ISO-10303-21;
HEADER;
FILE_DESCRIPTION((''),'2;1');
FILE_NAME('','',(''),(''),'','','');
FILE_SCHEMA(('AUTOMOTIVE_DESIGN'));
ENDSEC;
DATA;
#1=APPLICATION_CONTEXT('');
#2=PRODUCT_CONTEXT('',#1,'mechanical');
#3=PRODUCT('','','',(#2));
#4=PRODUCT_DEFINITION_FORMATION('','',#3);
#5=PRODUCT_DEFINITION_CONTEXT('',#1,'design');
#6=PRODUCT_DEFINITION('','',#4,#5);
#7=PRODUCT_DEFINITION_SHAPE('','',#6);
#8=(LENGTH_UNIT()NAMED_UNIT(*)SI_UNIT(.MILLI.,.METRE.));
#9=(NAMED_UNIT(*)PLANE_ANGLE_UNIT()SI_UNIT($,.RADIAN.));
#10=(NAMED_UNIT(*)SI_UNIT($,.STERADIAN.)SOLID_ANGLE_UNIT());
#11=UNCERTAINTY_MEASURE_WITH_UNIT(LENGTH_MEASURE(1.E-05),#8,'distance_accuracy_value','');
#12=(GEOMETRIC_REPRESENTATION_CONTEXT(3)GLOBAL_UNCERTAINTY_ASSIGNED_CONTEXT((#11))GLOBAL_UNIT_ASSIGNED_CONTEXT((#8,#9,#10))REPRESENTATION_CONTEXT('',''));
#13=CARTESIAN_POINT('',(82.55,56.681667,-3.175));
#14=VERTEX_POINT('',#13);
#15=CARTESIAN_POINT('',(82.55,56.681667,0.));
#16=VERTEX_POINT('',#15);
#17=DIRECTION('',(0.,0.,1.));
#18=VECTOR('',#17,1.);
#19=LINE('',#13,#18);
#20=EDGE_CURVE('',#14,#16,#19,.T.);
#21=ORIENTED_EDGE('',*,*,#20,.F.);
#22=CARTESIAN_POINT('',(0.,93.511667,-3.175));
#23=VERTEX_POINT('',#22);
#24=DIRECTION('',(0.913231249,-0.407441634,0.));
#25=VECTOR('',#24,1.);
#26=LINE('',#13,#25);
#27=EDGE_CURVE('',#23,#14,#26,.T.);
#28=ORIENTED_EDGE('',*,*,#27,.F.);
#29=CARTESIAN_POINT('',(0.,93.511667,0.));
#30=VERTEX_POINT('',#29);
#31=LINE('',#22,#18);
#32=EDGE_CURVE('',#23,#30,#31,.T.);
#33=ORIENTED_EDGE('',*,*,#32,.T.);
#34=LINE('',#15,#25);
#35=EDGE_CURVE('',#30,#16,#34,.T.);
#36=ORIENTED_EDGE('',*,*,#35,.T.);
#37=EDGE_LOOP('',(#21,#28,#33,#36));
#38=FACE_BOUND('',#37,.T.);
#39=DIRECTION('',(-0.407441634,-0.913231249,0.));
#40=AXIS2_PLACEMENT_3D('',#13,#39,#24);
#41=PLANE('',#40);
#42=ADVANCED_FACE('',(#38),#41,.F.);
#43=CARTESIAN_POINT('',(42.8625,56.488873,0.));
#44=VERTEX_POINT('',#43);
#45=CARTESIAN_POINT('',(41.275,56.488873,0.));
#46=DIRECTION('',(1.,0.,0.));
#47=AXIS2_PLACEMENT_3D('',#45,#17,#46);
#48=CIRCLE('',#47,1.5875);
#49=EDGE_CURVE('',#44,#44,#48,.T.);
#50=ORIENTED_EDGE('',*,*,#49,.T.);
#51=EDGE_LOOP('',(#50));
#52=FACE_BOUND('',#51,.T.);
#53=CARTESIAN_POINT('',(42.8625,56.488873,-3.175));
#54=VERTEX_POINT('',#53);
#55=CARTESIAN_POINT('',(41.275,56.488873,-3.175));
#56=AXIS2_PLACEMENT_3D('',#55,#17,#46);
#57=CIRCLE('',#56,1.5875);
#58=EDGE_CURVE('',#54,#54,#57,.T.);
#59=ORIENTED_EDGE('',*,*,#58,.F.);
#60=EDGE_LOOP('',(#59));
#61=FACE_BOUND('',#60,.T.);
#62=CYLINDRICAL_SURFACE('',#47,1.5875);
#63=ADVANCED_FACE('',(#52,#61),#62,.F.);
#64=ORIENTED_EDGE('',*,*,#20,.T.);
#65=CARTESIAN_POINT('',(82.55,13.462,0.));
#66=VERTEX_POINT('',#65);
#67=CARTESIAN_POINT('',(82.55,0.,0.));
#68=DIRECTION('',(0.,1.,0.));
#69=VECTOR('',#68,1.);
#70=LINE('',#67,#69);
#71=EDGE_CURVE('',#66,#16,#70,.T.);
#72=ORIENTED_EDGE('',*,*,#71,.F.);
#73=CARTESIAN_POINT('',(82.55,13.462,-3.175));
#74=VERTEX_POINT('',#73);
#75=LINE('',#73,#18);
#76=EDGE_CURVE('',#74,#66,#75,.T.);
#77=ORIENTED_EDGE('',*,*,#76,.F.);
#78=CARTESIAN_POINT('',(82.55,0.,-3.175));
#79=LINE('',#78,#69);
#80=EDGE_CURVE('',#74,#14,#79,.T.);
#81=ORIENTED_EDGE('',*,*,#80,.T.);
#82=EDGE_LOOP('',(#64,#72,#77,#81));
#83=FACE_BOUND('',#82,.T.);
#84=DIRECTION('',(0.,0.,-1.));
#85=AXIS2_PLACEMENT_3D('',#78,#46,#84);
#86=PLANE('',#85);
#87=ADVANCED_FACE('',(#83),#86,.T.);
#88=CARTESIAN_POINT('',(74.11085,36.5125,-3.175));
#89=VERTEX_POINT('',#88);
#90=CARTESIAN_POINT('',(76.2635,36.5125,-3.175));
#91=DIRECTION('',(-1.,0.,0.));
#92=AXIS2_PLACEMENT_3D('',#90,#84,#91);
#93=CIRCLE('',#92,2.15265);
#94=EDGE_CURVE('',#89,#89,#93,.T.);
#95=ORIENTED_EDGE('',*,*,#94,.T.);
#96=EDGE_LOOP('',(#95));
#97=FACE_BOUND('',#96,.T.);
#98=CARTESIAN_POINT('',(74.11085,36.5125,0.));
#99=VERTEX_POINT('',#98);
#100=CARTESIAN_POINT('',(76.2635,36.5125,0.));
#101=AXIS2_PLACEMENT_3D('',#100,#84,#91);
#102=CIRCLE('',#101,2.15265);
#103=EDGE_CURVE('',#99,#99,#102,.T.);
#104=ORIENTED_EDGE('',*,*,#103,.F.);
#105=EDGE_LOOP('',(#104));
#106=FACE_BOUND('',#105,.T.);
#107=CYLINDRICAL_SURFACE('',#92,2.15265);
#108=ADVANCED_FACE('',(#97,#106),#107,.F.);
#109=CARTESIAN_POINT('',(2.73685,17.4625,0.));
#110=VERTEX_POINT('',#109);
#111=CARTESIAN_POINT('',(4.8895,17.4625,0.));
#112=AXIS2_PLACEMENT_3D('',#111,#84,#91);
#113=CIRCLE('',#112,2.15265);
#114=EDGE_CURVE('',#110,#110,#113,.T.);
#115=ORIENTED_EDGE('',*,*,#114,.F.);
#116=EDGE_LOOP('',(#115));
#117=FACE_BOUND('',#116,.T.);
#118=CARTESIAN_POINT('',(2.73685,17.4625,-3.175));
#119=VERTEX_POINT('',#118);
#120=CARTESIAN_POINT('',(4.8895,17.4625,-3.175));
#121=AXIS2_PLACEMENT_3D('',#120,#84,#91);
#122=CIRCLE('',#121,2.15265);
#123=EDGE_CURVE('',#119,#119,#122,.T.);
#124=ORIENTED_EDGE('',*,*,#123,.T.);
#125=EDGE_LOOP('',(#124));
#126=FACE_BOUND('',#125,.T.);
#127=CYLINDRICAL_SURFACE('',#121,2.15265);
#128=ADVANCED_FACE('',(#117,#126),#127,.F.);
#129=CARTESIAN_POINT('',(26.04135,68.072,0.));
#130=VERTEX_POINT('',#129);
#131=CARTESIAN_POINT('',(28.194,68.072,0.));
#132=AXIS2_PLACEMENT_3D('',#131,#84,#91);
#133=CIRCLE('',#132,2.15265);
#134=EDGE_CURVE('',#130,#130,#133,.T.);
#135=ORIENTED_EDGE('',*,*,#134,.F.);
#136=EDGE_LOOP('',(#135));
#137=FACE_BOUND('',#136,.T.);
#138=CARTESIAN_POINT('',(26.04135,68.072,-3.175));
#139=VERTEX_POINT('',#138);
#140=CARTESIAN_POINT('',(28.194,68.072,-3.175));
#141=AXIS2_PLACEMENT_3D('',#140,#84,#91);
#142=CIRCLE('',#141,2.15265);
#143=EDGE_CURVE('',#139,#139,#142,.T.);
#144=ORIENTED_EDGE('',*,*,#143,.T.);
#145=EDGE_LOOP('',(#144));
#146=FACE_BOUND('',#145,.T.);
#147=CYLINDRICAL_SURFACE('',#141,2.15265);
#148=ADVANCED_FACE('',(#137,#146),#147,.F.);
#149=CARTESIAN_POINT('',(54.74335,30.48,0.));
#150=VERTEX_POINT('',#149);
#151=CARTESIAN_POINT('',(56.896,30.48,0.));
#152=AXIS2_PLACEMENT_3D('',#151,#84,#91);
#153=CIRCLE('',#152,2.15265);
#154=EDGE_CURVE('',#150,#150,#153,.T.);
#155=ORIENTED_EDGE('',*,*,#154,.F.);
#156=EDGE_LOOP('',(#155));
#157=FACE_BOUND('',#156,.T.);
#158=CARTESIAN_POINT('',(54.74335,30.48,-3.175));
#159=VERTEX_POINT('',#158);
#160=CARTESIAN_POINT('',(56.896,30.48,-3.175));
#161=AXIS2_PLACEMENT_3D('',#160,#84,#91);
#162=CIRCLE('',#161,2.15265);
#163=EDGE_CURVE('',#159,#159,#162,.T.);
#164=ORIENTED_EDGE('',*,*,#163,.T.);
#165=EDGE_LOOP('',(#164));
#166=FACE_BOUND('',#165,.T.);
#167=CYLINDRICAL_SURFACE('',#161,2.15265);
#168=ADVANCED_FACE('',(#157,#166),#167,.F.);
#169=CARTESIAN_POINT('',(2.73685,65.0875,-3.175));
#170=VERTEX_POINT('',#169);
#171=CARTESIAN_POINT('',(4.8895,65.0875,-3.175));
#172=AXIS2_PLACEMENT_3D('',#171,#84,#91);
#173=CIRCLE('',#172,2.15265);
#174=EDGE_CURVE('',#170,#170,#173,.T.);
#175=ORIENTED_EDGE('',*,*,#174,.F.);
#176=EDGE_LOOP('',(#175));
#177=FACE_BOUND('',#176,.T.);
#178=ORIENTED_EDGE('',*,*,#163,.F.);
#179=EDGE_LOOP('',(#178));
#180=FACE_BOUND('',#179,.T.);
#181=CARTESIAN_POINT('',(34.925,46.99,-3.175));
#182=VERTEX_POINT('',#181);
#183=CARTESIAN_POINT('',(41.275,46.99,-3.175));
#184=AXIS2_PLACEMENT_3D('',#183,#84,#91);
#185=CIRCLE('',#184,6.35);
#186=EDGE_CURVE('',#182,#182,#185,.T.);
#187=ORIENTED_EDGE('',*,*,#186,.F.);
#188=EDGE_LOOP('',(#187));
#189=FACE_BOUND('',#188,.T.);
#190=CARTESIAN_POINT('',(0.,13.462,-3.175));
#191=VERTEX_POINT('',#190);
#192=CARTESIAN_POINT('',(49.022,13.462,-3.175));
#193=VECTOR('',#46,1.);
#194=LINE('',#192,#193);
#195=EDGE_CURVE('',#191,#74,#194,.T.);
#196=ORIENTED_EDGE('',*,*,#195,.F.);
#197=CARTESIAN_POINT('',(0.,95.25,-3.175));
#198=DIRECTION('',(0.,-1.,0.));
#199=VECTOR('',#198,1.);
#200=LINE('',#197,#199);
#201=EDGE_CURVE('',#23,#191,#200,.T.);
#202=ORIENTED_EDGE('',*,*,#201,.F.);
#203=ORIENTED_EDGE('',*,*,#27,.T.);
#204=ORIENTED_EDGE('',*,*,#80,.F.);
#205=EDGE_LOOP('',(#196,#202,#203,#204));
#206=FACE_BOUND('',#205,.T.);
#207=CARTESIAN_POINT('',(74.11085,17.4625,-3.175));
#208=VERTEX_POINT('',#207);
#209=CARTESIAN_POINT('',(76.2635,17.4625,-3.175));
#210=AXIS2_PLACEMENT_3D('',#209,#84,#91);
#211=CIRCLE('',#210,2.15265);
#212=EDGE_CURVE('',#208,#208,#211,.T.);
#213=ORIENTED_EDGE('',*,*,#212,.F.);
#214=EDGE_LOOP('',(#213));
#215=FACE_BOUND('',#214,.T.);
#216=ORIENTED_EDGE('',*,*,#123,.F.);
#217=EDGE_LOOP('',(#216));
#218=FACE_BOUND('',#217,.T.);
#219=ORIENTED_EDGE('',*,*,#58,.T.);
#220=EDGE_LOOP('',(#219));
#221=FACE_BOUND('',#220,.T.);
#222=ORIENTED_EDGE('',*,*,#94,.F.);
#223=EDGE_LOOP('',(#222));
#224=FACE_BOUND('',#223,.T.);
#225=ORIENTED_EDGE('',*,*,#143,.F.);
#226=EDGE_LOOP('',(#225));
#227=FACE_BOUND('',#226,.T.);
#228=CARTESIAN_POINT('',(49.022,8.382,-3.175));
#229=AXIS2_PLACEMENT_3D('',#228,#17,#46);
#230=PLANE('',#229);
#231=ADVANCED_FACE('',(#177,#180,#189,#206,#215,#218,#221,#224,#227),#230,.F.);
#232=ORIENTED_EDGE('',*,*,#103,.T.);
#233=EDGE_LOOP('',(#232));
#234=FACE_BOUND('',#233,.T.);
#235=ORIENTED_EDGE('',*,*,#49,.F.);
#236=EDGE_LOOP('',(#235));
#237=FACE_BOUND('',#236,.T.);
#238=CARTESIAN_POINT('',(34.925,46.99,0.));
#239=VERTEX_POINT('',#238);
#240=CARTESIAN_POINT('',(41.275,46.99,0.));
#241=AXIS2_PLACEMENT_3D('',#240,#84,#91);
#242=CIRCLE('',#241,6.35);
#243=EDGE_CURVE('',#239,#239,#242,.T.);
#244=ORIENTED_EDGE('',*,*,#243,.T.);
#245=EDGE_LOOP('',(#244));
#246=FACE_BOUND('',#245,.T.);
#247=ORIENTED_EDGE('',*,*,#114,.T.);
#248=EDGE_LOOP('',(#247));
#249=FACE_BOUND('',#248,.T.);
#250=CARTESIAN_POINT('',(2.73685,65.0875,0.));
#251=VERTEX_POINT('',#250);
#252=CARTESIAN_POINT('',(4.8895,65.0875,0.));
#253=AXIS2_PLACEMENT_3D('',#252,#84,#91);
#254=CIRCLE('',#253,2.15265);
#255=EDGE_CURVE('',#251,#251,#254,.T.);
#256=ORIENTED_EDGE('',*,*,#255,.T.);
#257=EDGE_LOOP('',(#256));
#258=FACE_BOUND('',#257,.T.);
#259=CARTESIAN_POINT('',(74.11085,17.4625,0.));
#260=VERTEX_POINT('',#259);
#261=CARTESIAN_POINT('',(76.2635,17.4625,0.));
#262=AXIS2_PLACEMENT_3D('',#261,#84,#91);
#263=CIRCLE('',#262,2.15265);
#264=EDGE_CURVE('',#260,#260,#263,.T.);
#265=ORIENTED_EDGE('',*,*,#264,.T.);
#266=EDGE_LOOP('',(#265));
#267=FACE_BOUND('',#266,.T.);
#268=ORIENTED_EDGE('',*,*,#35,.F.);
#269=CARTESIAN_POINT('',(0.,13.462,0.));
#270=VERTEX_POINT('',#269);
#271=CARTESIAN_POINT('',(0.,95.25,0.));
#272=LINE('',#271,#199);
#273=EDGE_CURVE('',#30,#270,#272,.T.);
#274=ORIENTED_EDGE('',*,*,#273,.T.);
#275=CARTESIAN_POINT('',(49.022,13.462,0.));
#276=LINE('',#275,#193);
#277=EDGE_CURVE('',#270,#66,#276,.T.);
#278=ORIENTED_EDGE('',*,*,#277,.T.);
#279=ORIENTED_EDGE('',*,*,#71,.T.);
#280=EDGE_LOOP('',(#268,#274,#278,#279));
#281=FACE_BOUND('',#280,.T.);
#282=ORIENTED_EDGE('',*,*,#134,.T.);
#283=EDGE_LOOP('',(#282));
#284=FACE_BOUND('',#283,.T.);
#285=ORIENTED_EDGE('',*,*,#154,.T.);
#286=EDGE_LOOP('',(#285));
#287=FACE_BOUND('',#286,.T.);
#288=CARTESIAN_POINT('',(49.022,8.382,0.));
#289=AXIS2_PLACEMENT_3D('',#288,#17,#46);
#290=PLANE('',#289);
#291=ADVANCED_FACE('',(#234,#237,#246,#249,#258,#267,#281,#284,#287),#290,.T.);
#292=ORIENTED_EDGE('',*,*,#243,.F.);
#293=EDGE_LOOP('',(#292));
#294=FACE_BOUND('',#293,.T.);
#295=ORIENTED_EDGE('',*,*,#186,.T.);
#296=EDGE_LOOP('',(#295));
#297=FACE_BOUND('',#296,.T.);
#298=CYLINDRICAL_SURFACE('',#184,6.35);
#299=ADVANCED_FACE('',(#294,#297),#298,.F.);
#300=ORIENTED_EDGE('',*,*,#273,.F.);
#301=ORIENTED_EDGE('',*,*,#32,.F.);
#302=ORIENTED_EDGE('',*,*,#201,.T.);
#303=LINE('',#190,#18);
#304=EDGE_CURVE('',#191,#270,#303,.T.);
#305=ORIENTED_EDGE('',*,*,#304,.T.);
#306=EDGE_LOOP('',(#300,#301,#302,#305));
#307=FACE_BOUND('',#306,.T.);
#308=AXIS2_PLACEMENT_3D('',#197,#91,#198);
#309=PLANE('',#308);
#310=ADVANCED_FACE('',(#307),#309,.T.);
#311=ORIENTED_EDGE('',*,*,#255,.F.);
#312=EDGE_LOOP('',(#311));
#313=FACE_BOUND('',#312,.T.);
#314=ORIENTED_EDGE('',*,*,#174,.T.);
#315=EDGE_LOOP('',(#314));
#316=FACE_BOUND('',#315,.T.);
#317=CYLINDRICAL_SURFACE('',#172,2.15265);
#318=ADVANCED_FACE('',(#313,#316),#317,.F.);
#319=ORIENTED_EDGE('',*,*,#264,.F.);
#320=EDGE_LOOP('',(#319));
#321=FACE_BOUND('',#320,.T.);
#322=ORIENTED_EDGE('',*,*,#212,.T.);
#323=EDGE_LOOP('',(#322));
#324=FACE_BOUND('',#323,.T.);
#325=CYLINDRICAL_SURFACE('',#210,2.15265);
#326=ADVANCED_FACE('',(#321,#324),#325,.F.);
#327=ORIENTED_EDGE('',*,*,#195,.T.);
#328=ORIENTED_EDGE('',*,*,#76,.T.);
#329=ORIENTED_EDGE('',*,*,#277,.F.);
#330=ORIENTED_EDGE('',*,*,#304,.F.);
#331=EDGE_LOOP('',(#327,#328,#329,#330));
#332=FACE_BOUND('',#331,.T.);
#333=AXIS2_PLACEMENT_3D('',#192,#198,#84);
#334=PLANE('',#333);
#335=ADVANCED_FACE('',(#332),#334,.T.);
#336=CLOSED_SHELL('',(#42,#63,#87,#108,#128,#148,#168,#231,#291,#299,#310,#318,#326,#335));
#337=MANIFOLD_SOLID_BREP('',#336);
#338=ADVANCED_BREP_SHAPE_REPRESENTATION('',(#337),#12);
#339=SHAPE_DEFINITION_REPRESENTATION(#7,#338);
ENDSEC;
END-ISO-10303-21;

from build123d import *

# Parameters (mm, degrees)
BOSS_EXTRUDE1_DEPTH          = 3.175
F_6_CLEARANCE_HOLE1_D        = 4.3053
F_1_2_0_5_DIAMETER_HOLE1_D   = 12.7
F_1_8_0_125_DIAMETER_HOLE1_D = 3.175
CUT_EXTRUDE1_DEPTH           = 4.175
SKETCH10_W                   = 82.55
SKETCH10_H                   = 13.462
CUT_EXTRUDE2_DEPTH           = 4.175


with BuildPart() as part:
    # Sketch1 → Boss-Extrude1 (new body)
    with BuildSketch(Plane.XY):
        with BuildLine():
            Line((49.022, 13.462), (57.658, 13.462))
            ThreePointArc((57.658, 13.462), (61.250102448, 11.974102448), (62.738, 8.382))
            Line((62.738, 8.382), (62.738, 0))
            Line((62.738, 0), (82.55, 0))
            Line((82.55, 0), (82.55, 58.42))
            Line((82.55, 58.42), (0, 95.25))
            Line((0, 95.25), (0, 0))
            Line((0, 0), (43.942, 0))
            Line((43.942, 0), (43.942, 8.382))
            ThreePointArc((43.942, 8.382), (45.429897552, 11.974102448), (49.022, 13.462))
        make_face()
    extrude(amount=-BOSS_EXTRUDE1_DEPTH)

    # #6 Clearance Hole1 (through all)
    with Locations(Plane(origin=(0, 0, -3.175), x_dir=(-1, 0, 0), z_dir=(0, 0, -1))):
        with Locations((-4.8895, 17.4625), (-4.8895, 65.0875), (-76.2635, 36.5125), (-76.2635, 17.4625), (-28.194, 68.072), (-56.896, 30.48)):
            Hole(F_6_CLEARANCE_HOLE1_D / 2)

    # 1/2 (0.5) Diameter Hole1 (through all)
    with Locations(Plane(origin=(0, 0, -3.175), x_dir=(-1, 0, 0), z_dir=(0, 0, -1))):
        with Locations((-41.275, 46.99)):
            Hole(F_1_2_0_5_DIAMETER_HOLE1_D / 2)

    # 1/8 (0.125) Diameter Hole1 (through all)
    with Locations(Plane.XY):
        with Locations((41.275, 56.488873013)):
            Hole(F_1_8_0_125_DIAMETER_HOLE1_D / 2)

    # Sketch9 → Cut-Extrude1 (cut, through all)
    with BuildSketch(Plane.XY):
        Polygon((82.55, 56.681667019), (0, 93.511667019), (0, 95.25), (82.55, 58.42), align=None)
    extrude(amount=-CUT_EXTRUDE1_DEPTH, mode=Mode.SUBTRACT)

    # Sketch10 → Cut-Extrude2 (cut, through all)
    with BuildSketch(Plane.XY):
        with Locations((41.275, 6.731)):
            Rectangle(SKETCH10_W, SKETCH10_H)
    extrude(amount=-CUT_EXTRUDE2_DEPTH, mode=Mode.SUBTRACT)


solid = part.part
